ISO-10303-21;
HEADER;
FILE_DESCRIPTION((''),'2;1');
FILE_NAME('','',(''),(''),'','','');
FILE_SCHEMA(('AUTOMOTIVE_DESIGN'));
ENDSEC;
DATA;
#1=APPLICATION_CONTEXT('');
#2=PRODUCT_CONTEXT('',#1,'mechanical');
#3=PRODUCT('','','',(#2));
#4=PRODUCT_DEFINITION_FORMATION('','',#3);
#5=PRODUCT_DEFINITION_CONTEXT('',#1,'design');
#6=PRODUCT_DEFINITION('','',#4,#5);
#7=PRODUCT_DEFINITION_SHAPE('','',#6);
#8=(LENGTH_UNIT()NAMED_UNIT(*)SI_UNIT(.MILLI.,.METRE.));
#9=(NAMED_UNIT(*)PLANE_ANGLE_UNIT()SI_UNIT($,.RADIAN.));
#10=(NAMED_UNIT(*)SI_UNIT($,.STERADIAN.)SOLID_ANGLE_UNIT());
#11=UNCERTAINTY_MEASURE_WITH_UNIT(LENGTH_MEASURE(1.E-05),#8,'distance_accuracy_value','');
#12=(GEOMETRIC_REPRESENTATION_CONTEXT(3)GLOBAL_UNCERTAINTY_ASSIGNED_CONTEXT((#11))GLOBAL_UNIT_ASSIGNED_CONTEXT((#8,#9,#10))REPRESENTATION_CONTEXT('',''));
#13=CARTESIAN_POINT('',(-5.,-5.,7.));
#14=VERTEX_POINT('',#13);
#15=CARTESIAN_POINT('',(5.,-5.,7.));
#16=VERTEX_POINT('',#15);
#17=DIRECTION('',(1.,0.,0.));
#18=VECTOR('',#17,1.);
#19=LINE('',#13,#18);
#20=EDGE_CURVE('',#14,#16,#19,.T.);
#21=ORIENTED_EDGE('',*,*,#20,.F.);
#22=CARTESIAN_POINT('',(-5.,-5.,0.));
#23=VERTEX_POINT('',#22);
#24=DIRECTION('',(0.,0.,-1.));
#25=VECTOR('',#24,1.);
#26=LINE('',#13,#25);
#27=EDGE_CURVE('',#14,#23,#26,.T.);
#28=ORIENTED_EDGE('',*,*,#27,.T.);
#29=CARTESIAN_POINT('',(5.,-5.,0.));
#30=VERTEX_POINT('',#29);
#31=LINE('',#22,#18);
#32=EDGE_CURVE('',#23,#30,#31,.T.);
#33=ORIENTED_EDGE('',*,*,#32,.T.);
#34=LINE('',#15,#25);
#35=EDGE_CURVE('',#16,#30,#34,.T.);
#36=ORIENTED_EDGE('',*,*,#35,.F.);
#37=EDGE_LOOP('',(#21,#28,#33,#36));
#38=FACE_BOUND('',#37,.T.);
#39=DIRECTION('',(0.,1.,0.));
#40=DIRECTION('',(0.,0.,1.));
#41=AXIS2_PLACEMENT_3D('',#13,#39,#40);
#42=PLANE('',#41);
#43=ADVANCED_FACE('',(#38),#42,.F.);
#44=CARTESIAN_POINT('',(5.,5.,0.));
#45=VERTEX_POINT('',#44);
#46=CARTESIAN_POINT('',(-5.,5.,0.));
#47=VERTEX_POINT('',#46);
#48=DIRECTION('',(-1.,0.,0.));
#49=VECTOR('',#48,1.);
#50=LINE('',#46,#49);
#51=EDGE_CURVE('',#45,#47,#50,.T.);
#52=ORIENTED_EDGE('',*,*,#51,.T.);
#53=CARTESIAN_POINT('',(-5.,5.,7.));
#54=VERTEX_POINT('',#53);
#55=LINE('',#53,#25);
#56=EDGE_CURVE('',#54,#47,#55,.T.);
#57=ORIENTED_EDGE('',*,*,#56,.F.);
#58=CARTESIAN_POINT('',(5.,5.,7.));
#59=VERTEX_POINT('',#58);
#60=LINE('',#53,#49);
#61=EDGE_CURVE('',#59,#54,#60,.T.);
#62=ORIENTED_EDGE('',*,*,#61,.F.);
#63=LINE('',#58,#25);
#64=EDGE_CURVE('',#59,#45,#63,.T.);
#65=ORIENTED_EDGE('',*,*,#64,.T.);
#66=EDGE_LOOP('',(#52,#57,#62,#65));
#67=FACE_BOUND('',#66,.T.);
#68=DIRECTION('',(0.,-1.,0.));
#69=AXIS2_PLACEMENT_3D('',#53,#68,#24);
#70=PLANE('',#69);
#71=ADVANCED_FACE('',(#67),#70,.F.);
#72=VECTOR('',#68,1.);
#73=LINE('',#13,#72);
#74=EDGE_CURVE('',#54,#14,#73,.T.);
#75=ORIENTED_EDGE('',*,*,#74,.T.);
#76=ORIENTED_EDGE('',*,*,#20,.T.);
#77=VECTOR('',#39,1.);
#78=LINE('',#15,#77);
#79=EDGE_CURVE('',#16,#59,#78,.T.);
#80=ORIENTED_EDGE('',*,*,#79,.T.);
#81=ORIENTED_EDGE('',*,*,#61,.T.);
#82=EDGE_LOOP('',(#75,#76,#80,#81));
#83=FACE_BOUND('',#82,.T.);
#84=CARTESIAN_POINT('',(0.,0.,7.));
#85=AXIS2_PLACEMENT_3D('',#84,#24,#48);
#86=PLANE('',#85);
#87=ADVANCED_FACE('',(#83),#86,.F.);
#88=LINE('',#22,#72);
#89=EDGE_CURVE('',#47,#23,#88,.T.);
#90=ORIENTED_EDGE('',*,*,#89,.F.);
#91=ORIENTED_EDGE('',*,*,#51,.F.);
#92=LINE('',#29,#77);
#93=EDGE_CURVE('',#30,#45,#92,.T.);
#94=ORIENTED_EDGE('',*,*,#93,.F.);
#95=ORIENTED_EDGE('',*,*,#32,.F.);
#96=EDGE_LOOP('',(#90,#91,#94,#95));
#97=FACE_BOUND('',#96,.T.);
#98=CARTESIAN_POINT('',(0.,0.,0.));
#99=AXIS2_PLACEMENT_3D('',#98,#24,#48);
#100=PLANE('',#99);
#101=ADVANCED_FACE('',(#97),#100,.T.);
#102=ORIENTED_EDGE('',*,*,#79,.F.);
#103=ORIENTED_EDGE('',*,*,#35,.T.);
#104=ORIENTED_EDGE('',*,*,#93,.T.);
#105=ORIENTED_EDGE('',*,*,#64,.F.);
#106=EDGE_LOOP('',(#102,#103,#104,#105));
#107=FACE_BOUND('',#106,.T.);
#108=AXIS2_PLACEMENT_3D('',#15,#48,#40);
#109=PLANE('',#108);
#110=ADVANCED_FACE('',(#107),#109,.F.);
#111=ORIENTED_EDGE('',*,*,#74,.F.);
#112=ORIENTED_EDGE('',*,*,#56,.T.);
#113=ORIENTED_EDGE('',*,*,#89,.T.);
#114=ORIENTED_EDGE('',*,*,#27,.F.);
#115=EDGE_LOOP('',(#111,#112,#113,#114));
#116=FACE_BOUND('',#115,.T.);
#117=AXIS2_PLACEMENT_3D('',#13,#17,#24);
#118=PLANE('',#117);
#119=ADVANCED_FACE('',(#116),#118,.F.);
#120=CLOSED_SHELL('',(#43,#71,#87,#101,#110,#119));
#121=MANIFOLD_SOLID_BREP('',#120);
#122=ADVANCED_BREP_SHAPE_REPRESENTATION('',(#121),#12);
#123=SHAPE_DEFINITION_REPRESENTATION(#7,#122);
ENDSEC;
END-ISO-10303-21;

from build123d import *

# Parameters (mm, degrees)
SKETCH_1_W      = 10
SKETCH_1_H      = 10
EXTRUDE_1_DEPTH = 7


with BuildPart() as part:
    # 草图1 → 凸台-拉伸1 (new body)
    with BuildSketch(Plane.XY):
        Rectangle(SKETCH_1_W, SKETCH_1_H)
    extrude(amount=EXTRUDE_1_DEPTH)


solid = part.part
